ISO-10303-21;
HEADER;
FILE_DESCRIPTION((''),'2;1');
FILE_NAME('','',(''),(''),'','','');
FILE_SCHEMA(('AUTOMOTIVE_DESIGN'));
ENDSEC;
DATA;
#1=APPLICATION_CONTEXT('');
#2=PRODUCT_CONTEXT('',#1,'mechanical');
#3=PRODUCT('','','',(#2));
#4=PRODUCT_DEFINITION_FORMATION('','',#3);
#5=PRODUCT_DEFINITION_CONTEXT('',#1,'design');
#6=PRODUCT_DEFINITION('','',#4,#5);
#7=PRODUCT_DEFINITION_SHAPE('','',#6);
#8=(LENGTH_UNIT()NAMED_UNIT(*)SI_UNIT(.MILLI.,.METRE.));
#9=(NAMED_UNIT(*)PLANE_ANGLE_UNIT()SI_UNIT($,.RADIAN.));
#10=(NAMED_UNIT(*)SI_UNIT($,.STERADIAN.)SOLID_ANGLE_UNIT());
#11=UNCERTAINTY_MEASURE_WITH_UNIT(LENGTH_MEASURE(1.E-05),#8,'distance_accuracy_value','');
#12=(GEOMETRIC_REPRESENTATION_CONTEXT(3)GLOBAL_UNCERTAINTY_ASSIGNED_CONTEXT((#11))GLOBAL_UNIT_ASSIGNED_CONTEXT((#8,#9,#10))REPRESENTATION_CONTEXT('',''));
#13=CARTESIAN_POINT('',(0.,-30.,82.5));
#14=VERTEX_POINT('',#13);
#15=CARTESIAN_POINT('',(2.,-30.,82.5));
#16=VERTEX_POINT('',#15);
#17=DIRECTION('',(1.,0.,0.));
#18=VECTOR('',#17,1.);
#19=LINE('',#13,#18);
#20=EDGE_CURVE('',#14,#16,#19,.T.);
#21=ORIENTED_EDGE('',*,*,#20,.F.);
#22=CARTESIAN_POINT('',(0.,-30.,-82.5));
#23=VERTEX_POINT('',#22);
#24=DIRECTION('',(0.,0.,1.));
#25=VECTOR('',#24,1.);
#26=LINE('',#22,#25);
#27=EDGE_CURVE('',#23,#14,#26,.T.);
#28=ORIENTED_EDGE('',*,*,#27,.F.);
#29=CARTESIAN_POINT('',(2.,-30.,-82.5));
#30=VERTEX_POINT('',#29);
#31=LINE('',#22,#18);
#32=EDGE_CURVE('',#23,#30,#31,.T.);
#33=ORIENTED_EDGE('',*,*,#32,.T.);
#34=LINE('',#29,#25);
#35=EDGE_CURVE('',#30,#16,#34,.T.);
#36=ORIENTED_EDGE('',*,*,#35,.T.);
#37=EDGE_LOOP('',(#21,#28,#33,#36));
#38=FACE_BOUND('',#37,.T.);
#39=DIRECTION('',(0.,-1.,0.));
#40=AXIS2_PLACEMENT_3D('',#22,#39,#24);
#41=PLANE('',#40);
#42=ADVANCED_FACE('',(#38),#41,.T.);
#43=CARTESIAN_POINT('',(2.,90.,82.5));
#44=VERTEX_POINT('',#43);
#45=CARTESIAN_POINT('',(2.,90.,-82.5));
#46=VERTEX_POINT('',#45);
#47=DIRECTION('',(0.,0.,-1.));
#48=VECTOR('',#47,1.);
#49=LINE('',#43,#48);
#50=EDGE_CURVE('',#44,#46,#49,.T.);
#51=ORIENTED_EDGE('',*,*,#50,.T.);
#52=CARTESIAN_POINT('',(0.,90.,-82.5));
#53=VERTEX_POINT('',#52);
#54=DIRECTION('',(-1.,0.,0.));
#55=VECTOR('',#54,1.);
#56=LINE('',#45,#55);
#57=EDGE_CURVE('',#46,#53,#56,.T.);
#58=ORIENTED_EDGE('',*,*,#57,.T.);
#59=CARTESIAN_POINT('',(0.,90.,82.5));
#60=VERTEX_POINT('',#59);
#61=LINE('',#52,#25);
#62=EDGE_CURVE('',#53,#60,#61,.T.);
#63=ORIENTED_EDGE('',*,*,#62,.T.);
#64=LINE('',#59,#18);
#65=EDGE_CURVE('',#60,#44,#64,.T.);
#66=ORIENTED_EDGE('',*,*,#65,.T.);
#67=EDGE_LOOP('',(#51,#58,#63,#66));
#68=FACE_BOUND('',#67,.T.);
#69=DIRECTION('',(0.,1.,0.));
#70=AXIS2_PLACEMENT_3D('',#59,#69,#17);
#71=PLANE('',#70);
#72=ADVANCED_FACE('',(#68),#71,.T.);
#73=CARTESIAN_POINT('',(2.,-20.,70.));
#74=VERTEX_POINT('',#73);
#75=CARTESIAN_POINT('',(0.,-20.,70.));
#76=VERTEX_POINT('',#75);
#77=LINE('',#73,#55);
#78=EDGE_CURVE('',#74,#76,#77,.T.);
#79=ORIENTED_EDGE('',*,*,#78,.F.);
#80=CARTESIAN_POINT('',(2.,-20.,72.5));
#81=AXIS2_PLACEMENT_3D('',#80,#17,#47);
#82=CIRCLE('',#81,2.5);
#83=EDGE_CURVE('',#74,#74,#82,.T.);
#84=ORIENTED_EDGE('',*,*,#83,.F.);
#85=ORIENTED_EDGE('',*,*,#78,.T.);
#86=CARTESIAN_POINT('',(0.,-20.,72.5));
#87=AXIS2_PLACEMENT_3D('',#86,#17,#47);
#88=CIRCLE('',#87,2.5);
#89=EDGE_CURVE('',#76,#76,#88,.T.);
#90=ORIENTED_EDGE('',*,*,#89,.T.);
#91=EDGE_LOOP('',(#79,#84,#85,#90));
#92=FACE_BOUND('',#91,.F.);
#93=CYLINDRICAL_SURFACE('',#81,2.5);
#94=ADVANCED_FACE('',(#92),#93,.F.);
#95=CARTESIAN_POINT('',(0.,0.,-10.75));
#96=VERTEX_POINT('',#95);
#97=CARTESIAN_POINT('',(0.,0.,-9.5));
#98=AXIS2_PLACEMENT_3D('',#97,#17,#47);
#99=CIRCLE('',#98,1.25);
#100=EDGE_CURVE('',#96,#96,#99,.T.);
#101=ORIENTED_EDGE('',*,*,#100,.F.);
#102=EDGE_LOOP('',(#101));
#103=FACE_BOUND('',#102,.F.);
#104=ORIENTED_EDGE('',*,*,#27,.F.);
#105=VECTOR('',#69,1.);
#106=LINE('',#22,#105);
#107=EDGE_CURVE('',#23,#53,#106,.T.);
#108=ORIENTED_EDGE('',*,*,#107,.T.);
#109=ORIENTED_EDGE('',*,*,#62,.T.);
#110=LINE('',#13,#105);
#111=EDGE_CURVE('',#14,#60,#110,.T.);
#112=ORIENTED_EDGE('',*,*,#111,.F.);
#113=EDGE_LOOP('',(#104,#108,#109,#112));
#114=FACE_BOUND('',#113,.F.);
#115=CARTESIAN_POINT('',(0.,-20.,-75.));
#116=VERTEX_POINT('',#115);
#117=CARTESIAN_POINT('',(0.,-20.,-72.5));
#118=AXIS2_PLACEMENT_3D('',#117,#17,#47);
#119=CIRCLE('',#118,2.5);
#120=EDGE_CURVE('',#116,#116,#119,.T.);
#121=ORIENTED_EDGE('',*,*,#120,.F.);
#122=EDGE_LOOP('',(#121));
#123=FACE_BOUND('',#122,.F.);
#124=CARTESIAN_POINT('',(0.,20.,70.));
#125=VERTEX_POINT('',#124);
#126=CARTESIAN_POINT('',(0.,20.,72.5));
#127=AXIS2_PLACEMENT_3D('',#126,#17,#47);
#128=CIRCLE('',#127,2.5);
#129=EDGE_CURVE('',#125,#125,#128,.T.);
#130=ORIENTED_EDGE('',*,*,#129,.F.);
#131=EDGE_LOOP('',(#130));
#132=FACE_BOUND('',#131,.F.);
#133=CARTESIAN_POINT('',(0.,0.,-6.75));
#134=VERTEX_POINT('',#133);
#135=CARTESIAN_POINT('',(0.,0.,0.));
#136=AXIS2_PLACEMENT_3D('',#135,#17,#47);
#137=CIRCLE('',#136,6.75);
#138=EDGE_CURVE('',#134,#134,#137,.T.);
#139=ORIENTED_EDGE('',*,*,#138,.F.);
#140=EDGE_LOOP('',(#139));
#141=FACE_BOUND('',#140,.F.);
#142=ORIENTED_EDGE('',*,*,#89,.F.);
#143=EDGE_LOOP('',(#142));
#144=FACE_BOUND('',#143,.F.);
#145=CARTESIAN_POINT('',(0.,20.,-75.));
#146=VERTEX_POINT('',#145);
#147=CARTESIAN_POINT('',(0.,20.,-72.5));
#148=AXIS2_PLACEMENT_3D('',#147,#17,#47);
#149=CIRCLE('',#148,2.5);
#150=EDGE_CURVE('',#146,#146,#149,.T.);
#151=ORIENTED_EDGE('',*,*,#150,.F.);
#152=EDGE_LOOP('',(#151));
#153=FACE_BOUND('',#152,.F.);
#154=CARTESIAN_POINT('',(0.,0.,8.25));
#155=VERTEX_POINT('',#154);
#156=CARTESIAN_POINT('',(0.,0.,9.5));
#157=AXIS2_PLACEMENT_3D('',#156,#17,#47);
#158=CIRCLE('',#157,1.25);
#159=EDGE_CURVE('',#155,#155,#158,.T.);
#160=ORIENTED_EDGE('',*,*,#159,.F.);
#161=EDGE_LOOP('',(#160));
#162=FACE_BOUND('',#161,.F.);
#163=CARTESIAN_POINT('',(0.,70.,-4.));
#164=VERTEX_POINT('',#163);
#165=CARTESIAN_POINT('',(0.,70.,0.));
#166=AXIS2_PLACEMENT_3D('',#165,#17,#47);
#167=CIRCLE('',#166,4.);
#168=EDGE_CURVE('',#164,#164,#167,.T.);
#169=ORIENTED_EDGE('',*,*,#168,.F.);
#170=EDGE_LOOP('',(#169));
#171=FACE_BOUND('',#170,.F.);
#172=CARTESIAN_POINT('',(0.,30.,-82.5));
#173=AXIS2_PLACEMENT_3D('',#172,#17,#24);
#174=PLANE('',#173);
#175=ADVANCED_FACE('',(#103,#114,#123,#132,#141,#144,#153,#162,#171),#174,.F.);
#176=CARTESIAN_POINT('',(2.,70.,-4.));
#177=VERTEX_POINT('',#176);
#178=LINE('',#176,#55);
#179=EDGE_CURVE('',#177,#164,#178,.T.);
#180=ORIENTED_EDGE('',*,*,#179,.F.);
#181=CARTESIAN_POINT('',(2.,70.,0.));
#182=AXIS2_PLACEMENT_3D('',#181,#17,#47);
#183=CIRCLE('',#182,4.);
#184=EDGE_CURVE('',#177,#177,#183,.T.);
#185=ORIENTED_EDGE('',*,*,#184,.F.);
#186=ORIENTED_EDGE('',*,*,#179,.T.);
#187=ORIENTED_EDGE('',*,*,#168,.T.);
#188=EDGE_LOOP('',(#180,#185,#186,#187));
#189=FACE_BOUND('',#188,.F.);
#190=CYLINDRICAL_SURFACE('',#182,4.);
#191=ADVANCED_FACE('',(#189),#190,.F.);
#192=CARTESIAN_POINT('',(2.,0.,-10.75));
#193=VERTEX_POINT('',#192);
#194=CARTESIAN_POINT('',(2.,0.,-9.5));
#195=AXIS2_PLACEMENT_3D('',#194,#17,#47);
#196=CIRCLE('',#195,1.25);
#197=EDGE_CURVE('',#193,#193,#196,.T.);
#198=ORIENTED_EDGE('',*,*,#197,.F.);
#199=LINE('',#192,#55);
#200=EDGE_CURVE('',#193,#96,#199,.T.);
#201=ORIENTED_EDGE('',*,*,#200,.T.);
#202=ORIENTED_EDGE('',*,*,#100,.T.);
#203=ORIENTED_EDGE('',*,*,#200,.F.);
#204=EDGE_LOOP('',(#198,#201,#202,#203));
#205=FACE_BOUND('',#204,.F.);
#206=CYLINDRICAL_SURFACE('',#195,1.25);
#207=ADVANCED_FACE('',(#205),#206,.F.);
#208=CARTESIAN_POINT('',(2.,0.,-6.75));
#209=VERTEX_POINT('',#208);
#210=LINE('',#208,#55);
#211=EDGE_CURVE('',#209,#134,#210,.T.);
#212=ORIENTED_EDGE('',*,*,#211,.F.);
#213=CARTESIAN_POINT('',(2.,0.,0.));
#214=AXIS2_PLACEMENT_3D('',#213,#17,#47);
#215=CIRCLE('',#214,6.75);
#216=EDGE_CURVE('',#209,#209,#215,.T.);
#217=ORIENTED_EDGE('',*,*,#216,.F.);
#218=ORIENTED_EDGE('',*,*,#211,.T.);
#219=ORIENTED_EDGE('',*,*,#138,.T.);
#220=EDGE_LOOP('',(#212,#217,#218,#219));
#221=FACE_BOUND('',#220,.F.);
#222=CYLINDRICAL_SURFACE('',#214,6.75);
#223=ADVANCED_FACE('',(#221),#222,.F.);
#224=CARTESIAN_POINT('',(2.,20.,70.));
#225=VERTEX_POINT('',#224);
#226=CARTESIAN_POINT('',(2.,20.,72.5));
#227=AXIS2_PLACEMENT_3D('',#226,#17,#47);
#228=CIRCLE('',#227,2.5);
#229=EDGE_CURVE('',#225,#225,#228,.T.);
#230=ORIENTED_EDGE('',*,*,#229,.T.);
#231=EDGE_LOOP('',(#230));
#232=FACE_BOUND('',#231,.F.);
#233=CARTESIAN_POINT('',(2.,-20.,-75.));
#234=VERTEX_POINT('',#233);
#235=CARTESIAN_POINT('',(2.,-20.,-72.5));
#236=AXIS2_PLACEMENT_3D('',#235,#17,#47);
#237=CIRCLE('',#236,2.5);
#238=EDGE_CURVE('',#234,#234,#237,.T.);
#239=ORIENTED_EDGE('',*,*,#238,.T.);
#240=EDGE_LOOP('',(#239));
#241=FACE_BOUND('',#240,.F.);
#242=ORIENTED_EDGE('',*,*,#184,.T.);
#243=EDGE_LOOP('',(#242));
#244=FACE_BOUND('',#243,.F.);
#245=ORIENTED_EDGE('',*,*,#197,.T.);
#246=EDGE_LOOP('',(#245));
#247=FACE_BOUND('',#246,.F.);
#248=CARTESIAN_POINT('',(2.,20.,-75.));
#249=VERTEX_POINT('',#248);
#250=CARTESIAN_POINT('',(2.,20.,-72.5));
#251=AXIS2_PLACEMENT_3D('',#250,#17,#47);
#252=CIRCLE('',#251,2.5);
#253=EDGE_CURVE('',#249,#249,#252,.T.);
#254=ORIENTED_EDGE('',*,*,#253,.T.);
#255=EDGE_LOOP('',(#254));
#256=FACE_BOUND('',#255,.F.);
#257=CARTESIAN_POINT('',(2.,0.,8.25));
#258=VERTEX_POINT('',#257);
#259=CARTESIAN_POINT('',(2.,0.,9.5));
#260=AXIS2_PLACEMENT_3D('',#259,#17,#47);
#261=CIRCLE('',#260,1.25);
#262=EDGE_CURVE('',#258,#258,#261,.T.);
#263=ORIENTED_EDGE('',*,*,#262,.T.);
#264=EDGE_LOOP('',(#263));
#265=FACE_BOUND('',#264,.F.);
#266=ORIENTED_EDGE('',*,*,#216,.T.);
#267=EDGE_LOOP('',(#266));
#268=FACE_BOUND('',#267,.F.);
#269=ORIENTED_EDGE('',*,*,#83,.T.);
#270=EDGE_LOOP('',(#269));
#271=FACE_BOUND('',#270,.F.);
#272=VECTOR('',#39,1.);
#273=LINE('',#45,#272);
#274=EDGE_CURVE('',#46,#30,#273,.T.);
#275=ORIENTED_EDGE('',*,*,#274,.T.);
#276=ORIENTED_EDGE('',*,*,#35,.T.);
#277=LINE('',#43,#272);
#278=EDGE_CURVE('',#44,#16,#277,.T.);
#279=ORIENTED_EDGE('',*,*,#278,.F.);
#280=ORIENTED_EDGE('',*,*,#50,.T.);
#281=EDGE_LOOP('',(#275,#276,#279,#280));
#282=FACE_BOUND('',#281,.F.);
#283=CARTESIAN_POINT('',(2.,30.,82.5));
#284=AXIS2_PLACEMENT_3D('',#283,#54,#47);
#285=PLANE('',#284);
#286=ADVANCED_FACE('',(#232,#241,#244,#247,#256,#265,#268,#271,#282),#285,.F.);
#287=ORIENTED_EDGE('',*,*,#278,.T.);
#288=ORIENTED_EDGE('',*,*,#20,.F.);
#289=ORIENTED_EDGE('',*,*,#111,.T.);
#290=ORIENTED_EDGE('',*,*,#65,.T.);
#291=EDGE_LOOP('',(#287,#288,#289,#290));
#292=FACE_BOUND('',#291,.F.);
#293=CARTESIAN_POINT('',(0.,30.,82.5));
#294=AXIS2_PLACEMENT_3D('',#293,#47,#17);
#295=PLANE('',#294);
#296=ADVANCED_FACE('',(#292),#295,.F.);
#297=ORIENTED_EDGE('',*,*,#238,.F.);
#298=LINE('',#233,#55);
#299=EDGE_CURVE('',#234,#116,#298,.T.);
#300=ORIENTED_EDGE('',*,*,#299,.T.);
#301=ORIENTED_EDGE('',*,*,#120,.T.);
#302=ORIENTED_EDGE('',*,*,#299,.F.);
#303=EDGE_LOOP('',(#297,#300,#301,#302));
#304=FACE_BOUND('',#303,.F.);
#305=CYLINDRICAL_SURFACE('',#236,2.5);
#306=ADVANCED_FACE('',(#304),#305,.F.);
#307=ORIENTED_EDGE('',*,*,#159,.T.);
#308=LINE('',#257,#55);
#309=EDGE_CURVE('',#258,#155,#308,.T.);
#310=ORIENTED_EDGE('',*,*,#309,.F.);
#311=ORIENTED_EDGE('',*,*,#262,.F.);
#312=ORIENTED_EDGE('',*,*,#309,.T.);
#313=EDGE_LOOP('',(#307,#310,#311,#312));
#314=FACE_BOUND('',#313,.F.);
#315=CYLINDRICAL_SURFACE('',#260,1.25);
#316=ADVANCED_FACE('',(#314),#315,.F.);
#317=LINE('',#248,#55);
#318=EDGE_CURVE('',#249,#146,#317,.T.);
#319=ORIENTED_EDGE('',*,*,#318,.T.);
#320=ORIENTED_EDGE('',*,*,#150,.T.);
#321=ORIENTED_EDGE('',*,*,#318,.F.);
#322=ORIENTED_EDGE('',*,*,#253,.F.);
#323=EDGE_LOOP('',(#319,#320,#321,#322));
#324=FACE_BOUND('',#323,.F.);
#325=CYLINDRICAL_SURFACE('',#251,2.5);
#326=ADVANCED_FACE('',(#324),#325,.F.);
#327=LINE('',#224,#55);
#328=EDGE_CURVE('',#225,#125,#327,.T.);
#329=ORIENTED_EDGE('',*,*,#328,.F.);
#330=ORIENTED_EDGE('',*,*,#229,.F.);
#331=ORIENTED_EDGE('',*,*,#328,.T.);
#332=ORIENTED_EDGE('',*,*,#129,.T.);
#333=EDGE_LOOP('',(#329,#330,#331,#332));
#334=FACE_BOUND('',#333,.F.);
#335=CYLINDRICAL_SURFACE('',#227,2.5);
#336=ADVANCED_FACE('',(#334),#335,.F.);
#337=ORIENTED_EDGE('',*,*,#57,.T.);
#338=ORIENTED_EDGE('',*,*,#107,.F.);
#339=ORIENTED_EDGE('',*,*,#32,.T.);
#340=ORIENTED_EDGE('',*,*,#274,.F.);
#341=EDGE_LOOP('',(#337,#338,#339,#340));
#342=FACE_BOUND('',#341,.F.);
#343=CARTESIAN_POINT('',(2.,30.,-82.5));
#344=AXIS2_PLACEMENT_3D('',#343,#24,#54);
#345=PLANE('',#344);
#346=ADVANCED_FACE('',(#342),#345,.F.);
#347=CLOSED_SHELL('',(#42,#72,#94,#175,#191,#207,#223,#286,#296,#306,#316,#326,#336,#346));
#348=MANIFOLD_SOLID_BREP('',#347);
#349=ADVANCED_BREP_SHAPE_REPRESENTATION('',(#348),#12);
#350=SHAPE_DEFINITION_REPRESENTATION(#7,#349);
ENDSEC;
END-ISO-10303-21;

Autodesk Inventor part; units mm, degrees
ref_plane "YZ Plane" through (0, 0, 0) normal (1, 0, 0) x (0, 1, 0)
ref_plane "XZ Plane" through (0, 0, 0) normal (0, 1, 0) x (-1, 0, 0)
ref_plane "XY Plane" through (0, 0, 0) normal (0, 0, 1) x (1, 0, 0)
sketch "Skizze1" plane through (0, 0, 0) normal (1, 0, 0) x (0, 1, 0)
  line L0 (-30, 82.5) -> (30, 82.5)
  line L1 (30, 82.5) -> (30, -82.5)
  line L2 (30, -82.5) -> (-30, -82.5)
  line L3 (-30, -82.5) -> (-30, 82.5)
  line L4 (-30, 82.5) -> (30, -82.5) construction
  line L5 (30, 82.5) -> (-30, -82.5) construction
  point P0 (0, 0)
  dimension "d0" = 165
  dimension "d1" = 60
extrude "Extrusion1" add sketch "Skizze1" along normal blind 2
sketch "Skizze2" plane through (2, 0, 0) normal (1, 0, 0) x (0, 0, -1)
  circle A0 centre (0, 0) radius 6.75
  circle A1 centre (9.5, 0) radius 1.25
  circle A2 centre (-9.5, 0) radius 1.25
  circle A3 centre (-72.5, 20) radius 2.5
  circle A4 centre (-72.5, -20) radius 2.5
  circle A5 centre (72.5, 20) radius 2.5
  circle A6 centre (72.5, -20) radius 2.5
  line L0 (-82.5, 30) -> (-82.5, -30) projected
  line L1 (-82.5, -30) -> (82.5, -30) projected
  line L2 (82.5, 30) -> (-82.5, 30) projected
  dimension "d4" = 13.5
  dimension "d5" = 19
  dimension "d6" = 9.5
  dimension "d7" = 2.5
  dimension "d8" = 2.5
  dimension "d9" = 5
  dimension "d10" = 5
  dimension "d11" = 5
  dimension "d12" = 5
  dimension "d14" = 145
  dimension "d15" = 72.5
  dimension "d16" = 145
  dimension "d17" = 72.5
  dimension "d18" = 10
  dimension "d19" = 10
  dimension "d20" = 10
  dimension "d21" = 10
extrude "Extrusion2" cut sketch "Skizze2" against normal blind 5
sketch "Skizze3" plane through (0, 30, 82.5) normal (0, 1, 0) x (1, 0, 0)
  line L0 (0, 165) -> (0, 0) projected
  line L1 (0, 0) -> (2, 0)
  line L2 (2, 0) -> (2, 165)
  line L3 (2, 165) -> (0, 165)
  line L4 (0, 165) -> (0, 0)
  point P0 (0, 82.5)
extrude "Extrusion3" add sketch "Skizze3" along normal blind 60
sketch "Skizze4" plane through (2, 0, 0) normal (1, 0, 0) x (0, 0, -1)
  circle A0 centre (0, 70) radius 4
  point P0 (0, 0)
  dimension "d26" = 70
  dimension "d27" = 8
extrude "Extrusion4" cut sketch "Skizze4" against normal blind 45
equation "\"d6\" = 0.5 * d5"
equation "\"d15\" = 0.5 * d14"
equation "\"d17\" = 0.5 * d16"
equation "\"d22\" = d11"
properties part number "Motorblechdive"
